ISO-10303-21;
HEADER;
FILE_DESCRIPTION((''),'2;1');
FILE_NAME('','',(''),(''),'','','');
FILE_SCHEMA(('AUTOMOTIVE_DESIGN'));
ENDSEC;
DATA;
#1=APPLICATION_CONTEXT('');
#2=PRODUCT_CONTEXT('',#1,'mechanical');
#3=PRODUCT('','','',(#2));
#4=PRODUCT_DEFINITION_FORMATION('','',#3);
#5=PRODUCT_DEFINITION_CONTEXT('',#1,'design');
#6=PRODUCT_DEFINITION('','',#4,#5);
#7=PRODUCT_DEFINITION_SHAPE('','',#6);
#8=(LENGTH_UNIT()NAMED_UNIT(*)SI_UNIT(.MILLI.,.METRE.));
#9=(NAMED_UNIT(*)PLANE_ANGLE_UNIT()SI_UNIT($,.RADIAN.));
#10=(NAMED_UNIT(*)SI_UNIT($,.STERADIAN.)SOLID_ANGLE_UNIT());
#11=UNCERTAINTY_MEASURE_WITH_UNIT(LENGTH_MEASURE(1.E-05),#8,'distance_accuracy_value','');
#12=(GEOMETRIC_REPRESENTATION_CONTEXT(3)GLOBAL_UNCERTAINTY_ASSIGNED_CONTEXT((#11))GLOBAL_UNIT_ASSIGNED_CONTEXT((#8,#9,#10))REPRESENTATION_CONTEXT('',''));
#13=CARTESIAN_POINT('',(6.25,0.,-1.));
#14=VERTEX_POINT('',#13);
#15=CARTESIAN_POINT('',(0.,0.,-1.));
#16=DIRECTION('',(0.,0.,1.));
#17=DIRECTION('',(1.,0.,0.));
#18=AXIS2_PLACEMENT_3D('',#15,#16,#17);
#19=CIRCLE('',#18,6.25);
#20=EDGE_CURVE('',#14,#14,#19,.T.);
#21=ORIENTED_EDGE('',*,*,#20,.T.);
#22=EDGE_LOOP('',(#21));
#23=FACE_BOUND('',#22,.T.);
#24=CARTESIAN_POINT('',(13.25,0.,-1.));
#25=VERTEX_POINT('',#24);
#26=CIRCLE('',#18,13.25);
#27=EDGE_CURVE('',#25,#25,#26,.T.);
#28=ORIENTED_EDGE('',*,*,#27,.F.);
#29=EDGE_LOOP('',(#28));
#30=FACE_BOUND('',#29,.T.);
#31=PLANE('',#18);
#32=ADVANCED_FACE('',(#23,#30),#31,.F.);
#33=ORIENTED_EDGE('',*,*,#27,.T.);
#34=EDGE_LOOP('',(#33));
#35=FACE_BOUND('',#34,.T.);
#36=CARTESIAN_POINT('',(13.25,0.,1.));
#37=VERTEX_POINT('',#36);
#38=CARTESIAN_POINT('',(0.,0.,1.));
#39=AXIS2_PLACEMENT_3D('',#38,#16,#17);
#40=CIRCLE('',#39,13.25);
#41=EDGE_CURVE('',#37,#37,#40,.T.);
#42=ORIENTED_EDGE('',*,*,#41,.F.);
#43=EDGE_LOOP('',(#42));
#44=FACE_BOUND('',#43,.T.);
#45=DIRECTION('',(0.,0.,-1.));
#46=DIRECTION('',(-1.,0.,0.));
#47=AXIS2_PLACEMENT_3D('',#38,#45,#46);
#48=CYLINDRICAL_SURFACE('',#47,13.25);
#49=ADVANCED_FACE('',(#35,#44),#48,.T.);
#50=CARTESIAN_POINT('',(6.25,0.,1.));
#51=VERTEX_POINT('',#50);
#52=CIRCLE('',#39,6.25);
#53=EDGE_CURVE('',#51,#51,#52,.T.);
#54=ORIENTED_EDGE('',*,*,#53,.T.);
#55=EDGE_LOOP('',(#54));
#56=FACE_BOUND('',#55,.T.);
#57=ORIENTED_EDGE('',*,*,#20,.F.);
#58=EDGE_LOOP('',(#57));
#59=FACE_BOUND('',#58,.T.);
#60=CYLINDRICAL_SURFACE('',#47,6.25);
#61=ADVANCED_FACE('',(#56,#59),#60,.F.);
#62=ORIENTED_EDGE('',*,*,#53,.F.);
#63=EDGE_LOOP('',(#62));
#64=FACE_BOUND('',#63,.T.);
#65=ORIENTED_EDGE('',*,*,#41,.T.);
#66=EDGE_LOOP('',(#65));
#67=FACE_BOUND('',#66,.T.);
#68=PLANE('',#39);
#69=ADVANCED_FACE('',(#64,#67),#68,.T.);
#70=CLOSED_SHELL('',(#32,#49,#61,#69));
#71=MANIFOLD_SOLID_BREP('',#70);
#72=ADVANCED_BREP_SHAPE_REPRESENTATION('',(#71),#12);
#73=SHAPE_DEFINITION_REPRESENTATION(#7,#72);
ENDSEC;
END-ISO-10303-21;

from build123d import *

# Parameters (mm, degrees)
SKETCH1_R           = 13.25
SKETCH1_R_2         = 6.25
BOSS_EXTRUDE1_DEPTH = 1


with BuildPart() as part:
    # Sketch1 → Boss-Extrude1 (new body, symmetric)
    with BuildSketch(Plane.XY):
        Circle(SKETCH1_R)
        Circle(SKETCH1_R_2, mode=Mode.SUBTRACT)
    extrude(amount=BOSS_EXTRUDE1_DEPTH, both=True)


solid = part.part
